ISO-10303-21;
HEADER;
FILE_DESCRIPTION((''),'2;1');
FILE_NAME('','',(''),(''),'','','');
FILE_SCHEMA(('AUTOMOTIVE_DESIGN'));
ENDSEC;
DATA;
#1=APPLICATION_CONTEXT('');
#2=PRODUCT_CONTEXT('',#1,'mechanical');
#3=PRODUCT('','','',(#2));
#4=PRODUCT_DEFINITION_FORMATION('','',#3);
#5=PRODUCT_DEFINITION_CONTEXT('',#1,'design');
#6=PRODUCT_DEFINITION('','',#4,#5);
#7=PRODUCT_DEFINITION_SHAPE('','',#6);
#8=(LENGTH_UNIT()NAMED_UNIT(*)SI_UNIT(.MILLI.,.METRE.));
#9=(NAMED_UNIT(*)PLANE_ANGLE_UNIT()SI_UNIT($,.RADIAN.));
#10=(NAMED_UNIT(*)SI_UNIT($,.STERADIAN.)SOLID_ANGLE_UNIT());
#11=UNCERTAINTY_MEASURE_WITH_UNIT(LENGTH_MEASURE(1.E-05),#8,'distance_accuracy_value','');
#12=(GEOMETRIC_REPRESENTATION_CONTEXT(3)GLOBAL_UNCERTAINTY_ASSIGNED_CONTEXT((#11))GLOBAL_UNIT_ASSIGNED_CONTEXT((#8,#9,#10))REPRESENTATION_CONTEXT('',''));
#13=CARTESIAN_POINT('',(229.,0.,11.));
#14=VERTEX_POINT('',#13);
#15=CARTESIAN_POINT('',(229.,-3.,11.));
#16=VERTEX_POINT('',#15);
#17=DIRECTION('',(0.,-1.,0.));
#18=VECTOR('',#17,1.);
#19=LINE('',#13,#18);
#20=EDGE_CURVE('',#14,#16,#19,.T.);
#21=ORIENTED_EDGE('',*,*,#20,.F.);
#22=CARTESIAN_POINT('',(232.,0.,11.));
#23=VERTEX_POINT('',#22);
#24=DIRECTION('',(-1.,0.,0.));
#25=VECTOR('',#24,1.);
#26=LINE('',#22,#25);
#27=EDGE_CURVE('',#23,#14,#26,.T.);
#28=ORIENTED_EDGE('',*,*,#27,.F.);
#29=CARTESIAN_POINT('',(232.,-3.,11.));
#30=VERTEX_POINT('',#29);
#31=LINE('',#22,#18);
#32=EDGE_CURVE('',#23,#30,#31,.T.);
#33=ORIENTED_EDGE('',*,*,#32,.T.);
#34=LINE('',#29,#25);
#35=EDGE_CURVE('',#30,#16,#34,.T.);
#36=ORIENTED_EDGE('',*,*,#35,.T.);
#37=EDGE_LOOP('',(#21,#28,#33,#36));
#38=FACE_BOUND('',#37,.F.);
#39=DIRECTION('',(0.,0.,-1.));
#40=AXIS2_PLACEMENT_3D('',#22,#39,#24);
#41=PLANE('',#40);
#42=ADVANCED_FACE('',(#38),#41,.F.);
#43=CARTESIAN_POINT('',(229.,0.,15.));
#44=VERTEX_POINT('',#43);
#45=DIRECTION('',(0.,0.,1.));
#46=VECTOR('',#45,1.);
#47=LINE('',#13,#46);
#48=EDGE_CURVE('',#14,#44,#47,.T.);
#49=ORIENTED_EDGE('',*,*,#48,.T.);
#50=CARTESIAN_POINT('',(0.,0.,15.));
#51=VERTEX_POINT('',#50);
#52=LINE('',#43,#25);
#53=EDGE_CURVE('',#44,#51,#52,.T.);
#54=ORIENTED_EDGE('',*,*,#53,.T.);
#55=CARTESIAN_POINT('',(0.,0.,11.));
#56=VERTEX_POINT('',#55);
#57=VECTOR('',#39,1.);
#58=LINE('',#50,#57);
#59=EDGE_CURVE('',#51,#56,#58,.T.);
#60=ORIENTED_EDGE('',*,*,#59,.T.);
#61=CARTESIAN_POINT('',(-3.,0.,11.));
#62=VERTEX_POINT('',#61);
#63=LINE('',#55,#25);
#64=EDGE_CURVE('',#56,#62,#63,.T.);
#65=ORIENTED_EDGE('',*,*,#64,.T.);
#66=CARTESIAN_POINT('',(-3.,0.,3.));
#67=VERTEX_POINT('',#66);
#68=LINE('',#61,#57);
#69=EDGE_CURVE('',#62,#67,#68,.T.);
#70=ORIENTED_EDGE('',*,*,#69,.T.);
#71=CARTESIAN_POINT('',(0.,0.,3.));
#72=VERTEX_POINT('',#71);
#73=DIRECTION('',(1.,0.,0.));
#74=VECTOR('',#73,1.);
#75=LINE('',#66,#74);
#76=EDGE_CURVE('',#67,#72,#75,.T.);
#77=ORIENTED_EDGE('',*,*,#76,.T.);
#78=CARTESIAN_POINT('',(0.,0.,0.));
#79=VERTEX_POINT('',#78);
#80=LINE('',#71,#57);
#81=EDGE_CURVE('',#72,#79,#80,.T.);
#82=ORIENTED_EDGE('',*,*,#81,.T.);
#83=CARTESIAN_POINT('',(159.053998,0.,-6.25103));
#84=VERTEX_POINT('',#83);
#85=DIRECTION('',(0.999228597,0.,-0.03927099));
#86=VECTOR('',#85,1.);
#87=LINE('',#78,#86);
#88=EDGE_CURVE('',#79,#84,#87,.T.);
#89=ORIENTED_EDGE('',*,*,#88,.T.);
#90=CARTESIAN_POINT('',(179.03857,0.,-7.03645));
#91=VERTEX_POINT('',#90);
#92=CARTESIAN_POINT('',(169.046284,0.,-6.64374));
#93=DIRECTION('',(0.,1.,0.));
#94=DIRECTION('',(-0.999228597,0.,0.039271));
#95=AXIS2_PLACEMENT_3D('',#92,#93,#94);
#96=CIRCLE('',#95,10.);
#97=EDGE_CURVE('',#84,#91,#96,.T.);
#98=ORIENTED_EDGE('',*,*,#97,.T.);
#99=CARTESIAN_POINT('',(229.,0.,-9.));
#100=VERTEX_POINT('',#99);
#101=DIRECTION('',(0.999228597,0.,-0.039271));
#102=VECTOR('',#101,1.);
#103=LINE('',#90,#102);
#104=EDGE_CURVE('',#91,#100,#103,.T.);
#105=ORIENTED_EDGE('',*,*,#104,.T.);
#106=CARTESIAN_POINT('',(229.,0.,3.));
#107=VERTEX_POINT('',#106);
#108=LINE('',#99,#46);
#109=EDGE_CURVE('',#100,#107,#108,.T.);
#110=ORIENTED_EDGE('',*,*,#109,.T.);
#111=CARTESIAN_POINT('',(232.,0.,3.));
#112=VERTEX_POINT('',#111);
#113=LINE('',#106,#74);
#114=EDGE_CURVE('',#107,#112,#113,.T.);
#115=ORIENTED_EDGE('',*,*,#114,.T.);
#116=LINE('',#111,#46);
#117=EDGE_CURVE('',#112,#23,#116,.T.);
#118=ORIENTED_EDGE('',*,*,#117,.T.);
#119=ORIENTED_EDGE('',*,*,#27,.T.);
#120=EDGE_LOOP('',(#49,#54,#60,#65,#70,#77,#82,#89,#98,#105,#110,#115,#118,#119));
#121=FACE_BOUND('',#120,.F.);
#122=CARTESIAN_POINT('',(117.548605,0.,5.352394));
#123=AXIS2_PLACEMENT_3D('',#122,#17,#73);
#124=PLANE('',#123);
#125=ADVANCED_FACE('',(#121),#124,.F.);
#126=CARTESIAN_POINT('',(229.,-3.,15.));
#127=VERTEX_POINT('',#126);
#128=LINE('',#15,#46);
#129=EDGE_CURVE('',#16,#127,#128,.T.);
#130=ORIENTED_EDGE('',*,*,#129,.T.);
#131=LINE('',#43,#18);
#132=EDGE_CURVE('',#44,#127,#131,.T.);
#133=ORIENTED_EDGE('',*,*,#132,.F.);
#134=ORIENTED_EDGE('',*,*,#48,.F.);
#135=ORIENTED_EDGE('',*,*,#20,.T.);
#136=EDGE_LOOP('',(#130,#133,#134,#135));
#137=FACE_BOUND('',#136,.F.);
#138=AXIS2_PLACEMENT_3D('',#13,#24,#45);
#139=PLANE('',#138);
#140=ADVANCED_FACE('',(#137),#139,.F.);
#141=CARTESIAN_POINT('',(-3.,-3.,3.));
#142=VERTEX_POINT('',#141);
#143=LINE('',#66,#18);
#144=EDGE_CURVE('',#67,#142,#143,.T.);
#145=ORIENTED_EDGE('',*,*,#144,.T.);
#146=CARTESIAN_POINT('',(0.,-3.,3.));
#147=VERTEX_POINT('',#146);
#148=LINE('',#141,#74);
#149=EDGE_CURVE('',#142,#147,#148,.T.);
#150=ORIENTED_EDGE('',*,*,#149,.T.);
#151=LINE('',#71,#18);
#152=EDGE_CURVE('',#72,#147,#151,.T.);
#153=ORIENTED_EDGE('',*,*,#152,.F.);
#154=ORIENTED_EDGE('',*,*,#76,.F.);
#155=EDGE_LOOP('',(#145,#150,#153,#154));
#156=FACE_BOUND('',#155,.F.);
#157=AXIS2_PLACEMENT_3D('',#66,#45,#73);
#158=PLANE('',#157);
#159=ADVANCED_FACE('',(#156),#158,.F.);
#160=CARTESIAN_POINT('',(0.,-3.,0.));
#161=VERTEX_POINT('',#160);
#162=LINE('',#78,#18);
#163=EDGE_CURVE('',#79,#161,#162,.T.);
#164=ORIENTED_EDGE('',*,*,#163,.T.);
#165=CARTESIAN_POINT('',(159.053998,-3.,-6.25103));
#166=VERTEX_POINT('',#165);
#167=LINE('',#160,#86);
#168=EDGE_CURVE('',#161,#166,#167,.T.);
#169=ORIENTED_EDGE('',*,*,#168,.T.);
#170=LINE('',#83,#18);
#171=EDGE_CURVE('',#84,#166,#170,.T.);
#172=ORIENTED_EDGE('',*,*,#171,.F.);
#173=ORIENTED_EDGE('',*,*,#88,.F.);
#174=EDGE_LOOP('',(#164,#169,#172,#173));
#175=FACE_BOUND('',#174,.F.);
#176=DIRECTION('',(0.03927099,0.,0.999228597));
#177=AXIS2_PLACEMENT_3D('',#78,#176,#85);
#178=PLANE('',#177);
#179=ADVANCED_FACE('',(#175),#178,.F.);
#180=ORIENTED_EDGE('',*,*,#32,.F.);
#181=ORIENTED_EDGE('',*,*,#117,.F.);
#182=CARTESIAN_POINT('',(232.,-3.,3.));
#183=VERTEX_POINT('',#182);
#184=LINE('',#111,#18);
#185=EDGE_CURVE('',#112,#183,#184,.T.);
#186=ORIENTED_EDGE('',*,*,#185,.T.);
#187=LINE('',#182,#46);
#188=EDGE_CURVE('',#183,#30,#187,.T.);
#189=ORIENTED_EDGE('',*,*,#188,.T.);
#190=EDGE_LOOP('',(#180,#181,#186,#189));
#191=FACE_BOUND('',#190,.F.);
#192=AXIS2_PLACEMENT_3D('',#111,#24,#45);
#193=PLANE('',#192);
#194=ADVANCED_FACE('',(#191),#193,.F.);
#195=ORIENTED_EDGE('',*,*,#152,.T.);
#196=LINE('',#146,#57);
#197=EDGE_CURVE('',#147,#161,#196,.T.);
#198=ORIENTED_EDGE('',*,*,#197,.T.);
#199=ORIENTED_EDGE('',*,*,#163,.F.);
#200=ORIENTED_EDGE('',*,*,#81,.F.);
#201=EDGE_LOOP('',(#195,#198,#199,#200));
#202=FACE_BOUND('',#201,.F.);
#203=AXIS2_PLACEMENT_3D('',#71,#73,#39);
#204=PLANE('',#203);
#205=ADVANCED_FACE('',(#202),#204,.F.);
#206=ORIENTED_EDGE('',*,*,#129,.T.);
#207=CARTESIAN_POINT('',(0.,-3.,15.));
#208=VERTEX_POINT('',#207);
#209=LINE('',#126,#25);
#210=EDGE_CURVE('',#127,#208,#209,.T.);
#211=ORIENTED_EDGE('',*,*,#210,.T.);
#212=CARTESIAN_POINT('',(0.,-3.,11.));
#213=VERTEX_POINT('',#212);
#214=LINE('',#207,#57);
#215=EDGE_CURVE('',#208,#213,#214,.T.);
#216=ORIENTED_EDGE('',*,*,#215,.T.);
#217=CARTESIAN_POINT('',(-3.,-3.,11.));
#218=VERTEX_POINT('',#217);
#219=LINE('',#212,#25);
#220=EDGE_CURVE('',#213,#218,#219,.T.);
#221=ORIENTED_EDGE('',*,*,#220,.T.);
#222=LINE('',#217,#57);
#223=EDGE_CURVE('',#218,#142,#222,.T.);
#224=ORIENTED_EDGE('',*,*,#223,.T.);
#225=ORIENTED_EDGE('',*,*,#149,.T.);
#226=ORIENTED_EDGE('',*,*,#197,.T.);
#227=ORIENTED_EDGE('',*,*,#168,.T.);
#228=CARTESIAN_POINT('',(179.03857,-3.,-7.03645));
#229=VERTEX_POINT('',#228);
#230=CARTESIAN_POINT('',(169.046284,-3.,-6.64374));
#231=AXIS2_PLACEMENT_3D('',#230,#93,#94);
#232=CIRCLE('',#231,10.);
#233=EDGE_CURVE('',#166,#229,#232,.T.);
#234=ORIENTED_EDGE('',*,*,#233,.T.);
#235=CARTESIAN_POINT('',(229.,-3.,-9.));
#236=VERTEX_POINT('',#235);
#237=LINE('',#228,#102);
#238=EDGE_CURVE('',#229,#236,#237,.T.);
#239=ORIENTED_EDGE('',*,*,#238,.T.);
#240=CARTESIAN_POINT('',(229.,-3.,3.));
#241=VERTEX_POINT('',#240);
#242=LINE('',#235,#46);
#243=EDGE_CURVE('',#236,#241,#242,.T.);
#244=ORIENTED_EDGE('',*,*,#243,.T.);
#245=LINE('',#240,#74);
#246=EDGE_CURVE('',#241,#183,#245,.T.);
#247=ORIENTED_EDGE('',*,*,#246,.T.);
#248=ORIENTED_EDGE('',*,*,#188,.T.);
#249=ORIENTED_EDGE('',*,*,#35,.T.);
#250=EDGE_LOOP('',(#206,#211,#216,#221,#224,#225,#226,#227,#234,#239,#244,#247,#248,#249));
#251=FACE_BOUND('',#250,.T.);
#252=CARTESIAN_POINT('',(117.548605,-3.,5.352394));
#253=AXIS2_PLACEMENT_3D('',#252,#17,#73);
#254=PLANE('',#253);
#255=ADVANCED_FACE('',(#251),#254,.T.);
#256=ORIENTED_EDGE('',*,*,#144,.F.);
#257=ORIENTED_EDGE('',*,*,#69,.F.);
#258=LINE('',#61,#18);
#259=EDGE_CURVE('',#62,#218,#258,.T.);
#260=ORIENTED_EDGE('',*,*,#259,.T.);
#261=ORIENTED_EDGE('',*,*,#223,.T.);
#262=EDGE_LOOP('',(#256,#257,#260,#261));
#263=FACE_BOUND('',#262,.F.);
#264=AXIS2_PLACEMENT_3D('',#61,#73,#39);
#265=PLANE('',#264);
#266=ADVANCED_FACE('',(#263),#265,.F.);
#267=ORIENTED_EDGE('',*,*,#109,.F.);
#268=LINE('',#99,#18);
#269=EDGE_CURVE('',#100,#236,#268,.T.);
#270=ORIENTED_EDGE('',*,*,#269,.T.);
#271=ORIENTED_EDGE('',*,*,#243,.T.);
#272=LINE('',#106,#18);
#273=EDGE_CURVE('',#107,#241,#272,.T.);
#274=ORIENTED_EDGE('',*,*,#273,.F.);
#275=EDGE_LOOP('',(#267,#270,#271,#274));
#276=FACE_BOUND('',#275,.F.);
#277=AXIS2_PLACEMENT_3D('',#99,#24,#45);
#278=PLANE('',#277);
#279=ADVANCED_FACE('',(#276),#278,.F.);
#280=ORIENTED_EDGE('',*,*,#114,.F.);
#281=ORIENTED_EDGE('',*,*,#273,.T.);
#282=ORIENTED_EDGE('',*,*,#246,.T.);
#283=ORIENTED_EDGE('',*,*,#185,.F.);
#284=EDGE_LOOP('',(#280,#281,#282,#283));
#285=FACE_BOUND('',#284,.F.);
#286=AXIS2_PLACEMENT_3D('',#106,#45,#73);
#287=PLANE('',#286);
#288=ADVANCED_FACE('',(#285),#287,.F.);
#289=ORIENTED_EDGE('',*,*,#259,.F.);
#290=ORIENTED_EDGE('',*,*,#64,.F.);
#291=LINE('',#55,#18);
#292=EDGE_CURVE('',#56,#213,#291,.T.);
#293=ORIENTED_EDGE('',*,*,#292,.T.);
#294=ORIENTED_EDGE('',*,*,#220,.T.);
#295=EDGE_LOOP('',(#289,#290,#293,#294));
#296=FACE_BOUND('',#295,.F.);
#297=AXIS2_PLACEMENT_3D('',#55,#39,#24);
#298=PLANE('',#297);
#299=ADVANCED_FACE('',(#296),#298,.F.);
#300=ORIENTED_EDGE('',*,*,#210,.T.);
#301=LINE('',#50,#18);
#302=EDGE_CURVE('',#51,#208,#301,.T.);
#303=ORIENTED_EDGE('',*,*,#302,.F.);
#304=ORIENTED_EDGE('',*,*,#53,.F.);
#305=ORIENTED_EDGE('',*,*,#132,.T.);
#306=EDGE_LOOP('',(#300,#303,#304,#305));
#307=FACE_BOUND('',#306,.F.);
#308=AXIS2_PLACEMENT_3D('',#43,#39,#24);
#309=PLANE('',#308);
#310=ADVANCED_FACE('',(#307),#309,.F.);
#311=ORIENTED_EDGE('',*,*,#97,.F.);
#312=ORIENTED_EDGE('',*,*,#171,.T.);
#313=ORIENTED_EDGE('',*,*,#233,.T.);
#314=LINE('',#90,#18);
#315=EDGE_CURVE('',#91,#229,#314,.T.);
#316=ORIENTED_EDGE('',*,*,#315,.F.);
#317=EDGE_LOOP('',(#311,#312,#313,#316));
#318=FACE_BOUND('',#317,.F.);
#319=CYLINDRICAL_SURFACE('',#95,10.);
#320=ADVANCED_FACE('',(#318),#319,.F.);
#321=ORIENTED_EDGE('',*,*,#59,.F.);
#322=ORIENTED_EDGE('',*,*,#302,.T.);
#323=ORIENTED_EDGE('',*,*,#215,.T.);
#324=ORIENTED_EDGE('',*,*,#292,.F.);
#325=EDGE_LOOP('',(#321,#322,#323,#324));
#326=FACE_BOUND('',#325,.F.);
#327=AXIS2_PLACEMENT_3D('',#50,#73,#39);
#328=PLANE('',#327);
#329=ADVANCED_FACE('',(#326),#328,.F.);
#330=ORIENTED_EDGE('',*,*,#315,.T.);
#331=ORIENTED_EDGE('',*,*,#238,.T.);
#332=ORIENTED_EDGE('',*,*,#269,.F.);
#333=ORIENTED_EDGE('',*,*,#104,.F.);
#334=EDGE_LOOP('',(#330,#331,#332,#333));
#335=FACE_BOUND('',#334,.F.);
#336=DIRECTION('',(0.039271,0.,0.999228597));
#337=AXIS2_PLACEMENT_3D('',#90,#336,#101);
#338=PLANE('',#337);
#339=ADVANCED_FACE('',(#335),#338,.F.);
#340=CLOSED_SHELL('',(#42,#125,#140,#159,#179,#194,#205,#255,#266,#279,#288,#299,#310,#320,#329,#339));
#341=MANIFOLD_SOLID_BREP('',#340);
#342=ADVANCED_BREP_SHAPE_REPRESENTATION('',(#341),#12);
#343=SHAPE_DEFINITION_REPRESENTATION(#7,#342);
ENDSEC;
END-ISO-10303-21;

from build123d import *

# Parameters (mm, degrees)
F1_DEPTH = 3


with BuildPart() as f1:
    # F0 (on Front) → F1 (new body)
    with BuildSketch(Plane.XZ):
        with BuildLine():
            Line((229, 15), (0, 15))
            Line((0, 15), (0, 11))
            Line((0, 11), (-3, 11))
            Line((-3, 11), (-3, 3))
            Line((-3, 3), (0, 3))
            Line((0, 3), (0, 0))
            Line((0, 0), (159.053998, -6.25103))
            ThreePointArc((159.053998, -6.25103), (169.438994, 3.348546), (179.03857, -7.03645))
            Line((179.03857, -7.03645), (229, -9))
            Line((229, -9), (229, 3))
            Line((229, 3), (232, 3))
            Line((232, 3), (232, 11))
            Line((232, 11), (229, 11))
            Line((229, 11), (229, 15))
        make_face()
    extrude(amount=F1_DEPTH)


solid = f1.part
